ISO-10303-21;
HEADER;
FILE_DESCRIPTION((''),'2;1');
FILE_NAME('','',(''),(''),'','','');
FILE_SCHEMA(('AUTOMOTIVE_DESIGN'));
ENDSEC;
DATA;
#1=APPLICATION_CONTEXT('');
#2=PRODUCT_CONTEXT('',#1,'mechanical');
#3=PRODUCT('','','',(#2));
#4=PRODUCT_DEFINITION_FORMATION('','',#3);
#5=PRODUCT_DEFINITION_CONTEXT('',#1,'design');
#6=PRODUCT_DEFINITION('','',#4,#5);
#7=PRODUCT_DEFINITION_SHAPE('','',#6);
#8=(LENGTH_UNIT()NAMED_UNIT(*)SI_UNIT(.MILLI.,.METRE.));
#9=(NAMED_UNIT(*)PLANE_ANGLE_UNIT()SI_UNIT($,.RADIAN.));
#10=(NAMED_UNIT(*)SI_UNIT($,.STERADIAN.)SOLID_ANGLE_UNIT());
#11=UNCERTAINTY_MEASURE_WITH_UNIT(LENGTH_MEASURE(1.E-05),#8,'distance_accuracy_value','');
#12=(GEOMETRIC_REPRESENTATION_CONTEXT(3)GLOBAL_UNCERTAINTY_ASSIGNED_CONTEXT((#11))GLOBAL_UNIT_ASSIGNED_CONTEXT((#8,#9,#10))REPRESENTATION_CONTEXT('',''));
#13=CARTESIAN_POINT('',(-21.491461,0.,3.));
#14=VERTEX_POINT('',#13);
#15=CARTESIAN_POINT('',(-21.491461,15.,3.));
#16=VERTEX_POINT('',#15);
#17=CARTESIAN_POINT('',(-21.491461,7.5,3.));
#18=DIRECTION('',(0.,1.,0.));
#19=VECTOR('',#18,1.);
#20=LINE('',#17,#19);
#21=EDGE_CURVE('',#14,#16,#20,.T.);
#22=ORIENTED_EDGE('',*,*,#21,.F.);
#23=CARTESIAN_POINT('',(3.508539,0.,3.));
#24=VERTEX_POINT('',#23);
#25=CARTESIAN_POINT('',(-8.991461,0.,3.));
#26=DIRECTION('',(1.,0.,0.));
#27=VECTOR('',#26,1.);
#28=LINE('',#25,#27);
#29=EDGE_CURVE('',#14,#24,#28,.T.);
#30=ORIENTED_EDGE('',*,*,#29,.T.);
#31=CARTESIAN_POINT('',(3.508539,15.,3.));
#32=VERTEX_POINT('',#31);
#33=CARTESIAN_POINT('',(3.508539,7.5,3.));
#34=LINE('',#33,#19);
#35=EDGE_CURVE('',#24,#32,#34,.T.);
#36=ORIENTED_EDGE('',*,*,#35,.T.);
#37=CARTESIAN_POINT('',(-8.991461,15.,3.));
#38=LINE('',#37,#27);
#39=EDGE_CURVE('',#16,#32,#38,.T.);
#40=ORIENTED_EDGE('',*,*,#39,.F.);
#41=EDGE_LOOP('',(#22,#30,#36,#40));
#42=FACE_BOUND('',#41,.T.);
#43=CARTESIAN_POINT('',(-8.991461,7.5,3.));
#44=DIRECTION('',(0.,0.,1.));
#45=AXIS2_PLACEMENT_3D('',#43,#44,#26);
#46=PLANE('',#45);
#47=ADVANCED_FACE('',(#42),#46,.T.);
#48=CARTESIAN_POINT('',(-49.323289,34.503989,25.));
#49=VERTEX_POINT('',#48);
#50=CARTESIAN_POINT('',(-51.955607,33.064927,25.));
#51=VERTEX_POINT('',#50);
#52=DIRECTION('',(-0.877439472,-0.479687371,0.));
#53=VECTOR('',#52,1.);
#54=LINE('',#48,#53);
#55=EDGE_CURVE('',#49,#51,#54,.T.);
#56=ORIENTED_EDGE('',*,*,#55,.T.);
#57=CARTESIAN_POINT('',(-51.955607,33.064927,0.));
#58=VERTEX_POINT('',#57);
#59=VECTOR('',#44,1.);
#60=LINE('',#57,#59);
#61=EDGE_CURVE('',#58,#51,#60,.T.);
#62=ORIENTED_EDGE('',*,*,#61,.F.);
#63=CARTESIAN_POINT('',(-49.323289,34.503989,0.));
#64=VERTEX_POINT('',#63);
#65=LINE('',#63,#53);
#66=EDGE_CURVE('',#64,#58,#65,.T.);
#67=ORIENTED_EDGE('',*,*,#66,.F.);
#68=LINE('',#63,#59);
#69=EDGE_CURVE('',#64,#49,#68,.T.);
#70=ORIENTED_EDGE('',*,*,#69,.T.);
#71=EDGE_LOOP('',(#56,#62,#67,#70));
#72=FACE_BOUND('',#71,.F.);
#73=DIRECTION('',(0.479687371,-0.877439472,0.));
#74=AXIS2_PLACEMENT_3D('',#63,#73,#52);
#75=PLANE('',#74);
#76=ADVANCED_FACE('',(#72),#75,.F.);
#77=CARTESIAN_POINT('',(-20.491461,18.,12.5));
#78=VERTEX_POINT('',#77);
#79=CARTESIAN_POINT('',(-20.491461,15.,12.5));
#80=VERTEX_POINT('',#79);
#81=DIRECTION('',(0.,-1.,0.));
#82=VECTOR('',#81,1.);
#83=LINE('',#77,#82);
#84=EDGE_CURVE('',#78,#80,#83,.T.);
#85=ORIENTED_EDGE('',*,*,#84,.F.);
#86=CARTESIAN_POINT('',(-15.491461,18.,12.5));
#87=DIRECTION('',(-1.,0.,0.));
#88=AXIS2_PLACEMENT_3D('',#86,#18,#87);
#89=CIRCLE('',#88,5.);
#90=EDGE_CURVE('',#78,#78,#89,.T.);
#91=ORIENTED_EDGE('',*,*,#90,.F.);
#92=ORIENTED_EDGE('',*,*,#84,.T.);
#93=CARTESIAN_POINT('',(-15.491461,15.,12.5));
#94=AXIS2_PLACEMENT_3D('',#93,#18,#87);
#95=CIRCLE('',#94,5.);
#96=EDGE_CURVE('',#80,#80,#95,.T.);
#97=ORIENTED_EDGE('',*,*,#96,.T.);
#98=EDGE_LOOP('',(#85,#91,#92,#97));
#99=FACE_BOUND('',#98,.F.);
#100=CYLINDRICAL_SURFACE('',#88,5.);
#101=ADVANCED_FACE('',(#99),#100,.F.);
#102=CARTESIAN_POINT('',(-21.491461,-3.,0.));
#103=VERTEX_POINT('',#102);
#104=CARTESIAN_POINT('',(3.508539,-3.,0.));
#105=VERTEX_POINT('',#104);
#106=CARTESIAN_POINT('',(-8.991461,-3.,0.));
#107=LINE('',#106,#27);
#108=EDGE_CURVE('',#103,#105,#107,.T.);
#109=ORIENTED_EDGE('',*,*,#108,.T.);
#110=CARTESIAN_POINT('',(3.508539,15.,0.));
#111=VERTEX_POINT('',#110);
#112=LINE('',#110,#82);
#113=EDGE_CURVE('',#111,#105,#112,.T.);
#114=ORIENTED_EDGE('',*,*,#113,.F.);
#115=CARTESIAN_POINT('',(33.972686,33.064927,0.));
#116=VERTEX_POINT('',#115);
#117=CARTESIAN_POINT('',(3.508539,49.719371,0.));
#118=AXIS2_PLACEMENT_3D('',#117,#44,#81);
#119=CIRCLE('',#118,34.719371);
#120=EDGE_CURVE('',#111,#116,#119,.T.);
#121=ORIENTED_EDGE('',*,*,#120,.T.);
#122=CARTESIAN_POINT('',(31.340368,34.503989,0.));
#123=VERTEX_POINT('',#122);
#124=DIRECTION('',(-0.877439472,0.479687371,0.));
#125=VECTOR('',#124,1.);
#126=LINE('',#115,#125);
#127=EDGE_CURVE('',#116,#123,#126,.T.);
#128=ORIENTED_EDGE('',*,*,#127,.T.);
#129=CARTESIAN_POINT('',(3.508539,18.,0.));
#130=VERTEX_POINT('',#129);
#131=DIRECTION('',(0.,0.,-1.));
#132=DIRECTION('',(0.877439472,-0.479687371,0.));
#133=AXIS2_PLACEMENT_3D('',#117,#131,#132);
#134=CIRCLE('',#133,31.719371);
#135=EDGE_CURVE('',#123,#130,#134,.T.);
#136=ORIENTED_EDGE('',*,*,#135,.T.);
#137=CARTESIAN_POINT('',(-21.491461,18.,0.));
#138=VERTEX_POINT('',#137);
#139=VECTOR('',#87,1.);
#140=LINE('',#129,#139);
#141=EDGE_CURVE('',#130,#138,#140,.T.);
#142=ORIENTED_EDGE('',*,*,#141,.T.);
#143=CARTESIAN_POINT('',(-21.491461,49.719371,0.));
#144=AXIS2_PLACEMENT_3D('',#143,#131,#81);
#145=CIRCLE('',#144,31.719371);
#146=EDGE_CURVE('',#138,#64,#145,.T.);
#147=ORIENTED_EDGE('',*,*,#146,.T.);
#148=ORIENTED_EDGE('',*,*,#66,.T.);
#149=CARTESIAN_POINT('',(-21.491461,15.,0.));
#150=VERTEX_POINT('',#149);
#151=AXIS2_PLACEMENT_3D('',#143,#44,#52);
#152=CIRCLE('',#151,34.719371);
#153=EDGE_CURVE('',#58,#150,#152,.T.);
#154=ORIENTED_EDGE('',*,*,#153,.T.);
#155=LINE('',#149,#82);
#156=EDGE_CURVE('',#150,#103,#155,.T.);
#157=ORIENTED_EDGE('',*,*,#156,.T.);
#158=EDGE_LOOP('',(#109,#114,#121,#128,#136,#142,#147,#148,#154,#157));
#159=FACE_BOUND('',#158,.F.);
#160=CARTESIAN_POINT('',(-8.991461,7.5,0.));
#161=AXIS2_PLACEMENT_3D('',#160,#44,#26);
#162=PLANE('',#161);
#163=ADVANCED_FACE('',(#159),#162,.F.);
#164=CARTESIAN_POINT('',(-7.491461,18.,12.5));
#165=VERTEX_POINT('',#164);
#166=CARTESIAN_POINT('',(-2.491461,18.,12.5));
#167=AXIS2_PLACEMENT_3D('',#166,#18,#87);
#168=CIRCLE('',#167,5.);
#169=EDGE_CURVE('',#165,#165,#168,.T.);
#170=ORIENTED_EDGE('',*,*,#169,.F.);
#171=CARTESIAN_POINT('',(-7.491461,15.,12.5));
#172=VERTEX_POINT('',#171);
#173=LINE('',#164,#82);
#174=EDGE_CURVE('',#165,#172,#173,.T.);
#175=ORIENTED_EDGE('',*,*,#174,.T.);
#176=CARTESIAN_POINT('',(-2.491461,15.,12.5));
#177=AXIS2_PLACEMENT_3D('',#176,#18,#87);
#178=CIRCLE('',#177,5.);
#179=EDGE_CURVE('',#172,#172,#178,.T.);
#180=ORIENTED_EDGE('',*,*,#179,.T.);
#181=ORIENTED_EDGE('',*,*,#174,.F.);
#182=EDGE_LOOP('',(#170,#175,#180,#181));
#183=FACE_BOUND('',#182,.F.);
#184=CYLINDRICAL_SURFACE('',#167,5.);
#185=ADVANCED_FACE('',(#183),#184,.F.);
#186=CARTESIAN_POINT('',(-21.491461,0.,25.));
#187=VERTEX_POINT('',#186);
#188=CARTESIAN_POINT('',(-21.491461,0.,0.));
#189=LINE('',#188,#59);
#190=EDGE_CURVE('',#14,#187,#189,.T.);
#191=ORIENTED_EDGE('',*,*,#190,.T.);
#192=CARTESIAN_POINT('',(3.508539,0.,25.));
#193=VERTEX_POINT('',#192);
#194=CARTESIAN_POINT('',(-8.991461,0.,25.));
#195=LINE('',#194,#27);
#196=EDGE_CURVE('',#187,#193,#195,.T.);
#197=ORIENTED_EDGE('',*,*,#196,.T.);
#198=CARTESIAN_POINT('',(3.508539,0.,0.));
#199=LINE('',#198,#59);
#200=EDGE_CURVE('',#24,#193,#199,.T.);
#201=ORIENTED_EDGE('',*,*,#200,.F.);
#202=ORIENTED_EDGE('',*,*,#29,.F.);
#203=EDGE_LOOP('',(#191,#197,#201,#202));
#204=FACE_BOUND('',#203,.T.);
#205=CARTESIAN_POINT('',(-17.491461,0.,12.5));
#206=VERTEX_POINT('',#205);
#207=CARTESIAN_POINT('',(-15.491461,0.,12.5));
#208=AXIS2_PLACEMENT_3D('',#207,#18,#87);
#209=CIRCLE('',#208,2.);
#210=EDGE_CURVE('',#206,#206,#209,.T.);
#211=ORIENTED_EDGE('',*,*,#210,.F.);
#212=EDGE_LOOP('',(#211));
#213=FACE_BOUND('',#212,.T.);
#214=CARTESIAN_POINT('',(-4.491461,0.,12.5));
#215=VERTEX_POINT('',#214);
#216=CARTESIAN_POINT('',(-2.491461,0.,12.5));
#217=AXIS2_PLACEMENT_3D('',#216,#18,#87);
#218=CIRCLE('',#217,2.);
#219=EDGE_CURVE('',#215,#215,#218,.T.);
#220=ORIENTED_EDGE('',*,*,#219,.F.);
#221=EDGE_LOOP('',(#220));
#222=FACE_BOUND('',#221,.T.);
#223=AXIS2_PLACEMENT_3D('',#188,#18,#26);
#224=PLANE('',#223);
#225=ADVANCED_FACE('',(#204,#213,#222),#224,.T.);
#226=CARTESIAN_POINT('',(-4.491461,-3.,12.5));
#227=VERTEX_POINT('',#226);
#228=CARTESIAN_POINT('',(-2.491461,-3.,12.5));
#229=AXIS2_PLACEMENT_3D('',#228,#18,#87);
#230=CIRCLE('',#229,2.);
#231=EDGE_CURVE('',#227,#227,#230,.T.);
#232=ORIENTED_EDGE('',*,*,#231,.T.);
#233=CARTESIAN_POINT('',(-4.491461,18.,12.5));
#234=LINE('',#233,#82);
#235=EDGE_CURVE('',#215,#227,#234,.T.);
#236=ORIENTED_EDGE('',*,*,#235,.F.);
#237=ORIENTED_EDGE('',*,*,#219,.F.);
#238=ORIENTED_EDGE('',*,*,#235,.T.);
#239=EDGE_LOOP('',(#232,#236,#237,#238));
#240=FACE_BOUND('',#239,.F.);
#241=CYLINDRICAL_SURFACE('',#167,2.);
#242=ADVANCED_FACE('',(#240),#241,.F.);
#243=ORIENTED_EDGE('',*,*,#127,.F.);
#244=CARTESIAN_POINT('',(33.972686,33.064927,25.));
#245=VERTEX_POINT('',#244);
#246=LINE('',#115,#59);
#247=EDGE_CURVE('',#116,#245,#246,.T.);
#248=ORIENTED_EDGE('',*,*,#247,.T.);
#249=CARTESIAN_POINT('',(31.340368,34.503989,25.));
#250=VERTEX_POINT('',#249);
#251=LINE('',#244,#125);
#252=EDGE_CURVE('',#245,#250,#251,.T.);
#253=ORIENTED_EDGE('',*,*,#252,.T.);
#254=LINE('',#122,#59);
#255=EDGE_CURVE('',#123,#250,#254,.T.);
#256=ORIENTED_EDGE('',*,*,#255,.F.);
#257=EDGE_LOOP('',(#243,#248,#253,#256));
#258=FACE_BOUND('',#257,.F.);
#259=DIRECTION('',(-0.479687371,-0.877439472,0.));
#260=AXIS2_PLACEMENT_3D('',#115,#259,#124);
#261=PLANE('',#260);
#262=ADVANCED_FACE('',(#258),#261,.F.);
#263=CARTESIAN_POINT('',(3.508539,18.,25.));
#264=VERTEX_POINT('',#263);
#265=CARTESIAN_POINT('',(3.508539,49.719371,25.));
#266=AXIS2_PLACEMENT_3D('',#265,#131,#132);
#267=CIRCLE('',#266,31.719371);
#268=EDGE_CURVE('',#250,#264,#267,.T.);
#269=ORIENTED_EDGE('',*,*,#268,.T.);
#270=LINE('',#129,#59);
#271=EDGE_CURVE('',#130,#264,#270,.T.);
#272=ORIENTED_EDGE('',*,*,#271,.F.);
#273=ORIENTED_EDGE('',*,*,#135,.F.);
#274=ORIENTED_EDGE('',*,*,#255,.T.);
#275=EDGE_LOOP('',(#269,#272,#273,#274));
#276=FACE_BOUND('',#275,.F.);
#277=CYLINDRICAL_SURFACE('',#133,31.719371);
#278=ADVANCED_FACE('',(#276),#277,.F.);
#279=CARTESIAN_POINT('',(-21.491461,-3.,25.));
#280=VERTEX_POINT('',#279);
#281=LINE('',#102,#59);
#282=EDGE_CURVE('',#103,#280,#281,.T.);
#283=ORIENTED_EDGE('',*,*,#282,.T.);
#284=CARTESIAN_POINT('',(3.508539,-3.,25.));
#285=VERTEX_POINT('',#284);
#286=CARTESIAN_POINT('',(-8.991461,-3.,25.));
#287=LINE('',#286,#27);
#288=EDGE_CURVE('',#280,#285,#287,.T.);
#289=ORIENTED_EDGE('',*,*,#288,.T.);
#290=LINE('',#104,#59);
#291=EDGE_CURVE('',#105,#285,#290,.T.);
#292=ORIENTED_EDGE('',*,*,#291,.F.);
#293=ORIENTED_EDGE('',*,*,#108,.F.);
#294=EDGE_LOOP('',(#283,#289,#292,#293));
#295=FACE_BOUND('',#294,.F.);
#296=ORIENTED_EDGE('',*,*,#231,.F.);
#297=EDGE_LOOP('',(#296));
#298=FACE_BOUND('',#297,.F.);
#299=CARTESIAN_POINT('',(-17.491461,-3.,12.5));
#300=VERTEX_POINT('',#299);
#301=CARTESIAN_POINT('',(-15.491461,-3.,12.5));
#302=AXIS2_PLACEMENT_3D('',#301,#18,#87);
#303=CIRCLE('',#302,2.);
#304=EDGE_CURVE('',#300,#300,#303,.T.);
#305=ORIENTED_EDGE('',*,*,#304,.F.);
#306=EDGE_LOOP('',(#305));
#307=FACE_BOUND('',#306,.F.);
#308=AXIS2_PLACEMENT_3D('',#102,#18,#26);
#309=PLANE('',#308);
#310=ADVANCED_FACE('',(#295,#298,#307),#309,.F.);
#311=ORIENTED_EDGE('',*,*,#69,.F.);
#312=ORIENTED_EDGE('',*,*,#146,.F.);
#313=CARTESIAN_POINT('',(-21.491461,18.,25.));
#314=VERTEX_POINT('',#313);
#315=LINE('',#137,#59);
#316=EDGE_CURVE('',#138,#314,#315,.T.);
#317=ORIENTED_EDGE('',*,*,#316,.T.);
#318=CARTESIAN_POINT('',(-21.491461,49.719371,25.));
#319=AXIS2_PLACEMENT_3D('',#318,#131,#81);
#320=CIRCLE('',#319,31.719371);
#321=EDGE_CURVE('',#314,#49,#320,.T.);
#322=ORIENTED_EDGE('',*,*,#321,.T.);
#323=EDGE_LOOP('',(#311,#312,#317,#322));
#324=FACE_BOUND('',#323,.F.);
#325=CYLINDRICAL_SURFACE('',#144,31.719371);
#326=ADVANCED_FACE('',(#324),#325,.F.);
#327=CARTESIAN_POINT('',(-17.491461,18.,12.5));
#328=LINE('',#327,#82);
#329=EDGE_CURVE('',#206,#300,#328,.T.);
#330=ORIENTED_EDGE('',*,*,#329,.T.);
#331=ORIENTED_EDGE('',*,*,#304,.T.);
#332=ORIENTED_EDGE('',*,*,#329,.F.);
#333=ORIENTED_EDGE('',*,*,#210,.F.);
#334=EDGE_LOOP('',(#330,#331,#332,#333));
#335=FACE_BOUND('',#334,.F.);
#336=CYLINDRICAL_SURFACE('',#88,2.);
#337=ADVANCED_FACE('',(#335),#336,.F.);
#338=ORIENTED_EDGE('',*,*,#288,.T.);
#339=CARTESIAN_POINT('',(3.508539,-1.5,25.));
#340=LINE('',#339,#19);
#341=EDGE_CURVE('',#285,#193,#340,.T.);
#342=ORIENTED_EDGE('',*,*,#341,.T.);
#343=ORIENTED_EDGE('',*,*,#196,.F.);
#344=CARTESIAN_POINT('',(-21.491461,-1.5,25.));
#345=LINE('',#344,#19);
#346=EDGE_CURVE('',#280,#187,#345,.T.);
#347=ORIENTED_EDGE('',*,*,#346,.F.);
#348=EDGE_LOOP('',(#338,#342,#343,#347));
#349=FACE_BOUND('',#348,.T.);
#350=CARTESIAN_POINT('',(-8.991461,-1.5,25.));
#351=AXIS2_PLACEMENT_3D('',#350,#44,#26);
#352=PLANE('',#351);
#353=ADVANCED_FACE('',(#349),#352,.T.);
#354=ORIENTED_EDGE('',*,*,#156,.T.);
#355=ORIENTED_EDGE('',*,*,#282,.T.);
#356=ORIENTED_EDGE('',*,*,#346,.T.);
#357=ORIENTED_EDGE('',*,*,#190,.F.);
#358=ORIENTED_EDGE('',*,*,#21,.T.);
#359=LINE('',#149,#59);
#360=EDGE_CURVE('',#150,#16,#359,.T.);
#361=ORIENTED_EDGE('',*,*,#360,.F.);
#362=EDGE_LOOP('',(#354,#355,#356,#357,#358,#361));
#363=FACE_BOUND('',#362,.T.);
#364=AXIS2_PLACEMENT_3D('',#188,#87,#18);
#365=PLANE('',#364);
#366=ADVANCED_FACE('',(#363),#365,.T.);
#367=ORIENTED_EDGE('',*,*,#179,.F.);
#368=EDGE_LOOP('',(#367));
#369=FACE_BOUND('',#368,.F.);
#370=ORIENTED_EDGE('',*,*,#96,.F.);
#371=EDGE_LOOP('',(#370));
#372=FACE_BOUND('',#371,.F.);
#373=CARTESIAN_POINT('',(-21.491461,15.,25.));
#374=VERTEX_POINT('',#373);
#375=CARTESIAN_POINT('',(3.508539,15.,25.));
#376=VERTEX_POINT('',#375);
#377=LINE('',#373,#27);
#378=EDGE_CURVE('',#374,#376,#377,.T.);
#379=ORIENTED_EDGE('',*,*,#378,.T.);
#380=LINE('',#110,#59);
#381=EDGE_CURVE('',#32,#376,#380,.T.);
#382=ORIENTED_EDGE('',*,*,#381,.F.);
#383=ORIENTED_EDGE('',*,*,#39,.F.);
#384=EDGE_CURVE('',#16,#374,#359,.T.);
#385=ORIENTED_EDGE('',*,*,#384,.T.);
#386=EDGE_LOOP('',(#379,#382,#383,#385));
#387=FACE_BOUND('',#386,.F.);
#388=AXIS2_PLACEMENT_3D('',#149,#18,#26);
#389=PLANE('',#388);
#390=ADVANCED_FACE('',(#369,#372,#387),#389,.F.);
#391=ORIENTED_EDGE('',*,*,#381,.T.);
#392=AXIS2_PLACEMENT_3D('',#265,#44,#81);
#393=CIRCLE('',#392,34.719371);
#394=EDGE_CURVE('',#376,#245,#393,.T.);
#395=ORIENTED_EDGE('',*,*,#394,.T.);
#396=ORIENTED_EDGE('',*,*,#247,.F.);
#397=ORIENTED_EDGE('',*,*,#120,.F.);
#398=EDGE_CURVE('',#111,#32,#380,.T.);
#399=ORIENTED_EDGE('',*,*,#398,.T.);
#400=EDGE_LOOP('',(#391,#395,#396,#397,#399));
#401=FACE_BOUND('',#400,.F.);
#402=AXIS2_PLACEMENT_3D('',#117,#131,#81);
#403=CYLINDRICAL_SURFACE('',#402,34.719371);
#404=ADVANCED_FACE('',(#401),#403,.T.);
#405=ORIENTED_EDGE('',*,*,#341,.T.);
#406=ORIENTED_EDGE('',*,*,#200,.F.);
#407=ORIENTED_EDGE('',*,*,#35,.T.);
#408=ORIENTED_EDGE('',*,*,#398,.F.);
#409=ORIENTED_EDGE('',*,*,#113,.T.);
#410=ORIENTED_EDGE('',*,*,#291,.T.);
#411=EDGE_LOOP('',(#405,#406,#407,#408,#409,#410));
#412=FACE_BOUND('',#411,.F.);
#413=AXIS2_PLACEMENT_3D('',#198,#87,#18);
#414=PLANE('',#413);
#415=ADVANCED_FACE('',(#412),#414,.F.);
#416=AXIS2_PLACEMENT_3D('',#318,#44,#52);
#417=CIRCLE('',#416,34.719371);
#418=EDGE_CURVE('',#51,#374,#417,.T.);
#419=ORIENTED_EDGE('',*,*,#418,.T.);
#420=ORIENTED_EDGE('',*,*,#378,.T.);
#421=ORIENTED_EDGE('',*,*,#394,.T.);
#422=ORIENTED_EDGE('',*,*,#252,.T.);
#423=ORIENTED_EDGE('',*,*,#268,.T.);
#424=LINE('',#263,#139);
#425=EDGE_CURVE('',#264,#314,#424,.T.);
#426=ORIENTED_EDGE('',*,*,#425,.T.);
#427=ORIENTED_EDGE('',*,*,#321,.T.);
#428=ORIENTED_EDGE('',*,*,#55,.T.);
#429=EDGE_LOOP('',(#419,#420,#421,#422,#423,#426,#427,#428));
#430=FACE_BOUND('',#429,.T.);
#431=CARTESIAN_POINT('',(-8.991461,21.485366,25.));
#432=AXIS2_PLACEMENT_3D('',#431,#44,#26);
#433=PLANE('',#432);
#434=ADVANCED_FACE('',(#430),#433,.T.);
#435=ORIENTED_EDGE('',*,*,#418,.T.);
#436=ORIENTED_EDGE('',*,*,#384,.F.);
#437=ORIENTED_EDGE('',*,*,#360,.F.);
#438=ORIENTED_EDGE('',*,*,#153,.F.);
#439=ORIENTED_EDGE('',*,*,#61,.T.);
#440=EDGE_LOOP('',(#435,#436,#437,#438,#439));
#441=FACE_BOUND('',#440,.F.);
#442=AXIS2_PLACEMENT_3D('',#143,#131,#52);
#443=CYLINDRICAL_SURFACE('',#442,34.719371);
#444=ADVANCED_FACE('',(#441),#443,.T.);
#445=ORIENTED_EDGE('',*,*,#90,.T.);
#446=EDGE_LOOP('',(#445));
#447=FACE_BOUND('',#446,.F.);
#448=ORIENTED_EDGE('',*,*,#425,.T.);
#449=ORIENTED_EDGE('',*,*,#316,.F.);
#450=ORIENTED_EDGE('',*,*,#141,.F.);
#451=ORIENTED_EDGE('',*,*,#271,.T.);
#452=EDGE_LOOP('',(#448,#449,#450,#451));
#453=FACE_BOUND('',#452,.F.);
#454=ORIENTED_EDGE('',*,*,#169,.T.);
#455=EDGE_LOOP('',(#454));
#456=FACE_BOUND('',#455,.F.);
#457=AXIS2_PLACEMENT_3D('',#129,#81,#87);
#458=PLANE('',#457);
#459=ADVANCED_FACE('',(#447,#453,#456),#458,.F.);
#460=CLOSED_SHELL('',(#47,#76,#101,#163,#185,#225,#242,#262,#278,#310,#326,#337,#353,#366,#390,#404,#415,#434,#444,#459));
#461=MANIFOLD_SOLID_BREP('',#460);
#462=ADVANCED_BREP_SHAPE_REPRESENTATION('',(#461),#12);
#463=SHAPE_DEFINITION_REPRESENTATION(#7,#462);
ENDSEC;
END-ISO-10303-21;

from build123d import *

# Parameters (mm, degrees)
F1_DEPTH = 25
F0_W     = 25
F0_H     = 3
F0_H_2   = 15
F2_DEPTH = 3
F3_R     = 2
F4_DEPTH = 25
F3_R_2   = 5
F5_DEPTH = 10


with BuildPart() as f1:
    # F0 (on Top) → F1 (new body)
    with BuildSketch(Plane.XY):
        with BuildLine():
            ThreePointArc((-51.955607151, 33.064927277), (-39.2002565409, 19.8557934078), (-21.4914605021, 15))
            Line((-21.4914605021, 15), (3.5085394979, 15))
            ThreePointArc((3.5085394979, 15), (21.2173355366, 19.8557934078), (33.9726861467, 33.064927277))
            Line((33.9726861467, 33.064927277), (31.3403677316, 34.5039893887))
            ThreePointArc((31.3403677316, 34.5039893887), (19.687169914, 22.4362184053), (3.5085394979, 18))
            Line((3.5085394979, 18), (-21.4914605021, 18))
            ThreePointArc((-21.4914605021, 18), (-37.6700909183, 22.4362184053), (-49.3232887359, 34.5039893887))
            Line((-49.3232887359, 34.5039893887), (-51.955607151, 33.064927277))
        make_face()
    extrude(amount=F1_DEPTH)



with BuildPart() as f1b:
    # F0 (on Top) → F1, piece 2 (new body)
    with BuildSketch(Plane.XY):
        with Locations((-8.9914605021, -1.5)):
            Rectangle(F0_W, F0_H)
    extrude(amount=F1_DEPTH)


with BuildPart() as f1_1:
    add(f1.part)

    add(f1b.part)  # F2 merges F1b
    # F0 (on Top) → F2 (join)
    with BuildSketch(Plane.XY):
        with Locations((-8.9914605021, 7.5)):
            Rectangle(F0_W, F0_H_2)
    extrude(amount=F2_DEPTH)

    # F3 (on face) → F4 (cut)
    with BuildSketch(Plane(origin=(0, 18, 0), x_dir=(-1, 0, 0), z_dir=(0, 1, 0))):
        with Locations((15.4914605021, 12.5)):
            Circle(F3_R)
        with Locations((2.4914605021, 12.5)):
            Circle(F3_R)
    extrude(amount=-F4_DEPTH, mode=Mode.SUBTRACT)

    # F3 (on face) → F5 (cut)
    with BuildSketch(Plane(origin=(0, 18, 0), x_dir=(-1, 0, 0), z_dir=(0, 1, 0))):
        with Locations((15.4914605021, 12.5)):
            Circle(F3_R_2)
        with Locations((15.4914605021, 12.5)):
            Circle(F3_R, mode=Mode.SUBTRACT)
        with Locations((2.4914605021, 12.5)):
            Circle(F3_R_2)
        with Locations((2.4914605021, 12.5)):
            Circle(F3_R, mode=Mode.SUBTRACT)
    extrude(amount=-F5_DEPTH, mode=Mode.SUBTRACT)


solid = f1_1.part
